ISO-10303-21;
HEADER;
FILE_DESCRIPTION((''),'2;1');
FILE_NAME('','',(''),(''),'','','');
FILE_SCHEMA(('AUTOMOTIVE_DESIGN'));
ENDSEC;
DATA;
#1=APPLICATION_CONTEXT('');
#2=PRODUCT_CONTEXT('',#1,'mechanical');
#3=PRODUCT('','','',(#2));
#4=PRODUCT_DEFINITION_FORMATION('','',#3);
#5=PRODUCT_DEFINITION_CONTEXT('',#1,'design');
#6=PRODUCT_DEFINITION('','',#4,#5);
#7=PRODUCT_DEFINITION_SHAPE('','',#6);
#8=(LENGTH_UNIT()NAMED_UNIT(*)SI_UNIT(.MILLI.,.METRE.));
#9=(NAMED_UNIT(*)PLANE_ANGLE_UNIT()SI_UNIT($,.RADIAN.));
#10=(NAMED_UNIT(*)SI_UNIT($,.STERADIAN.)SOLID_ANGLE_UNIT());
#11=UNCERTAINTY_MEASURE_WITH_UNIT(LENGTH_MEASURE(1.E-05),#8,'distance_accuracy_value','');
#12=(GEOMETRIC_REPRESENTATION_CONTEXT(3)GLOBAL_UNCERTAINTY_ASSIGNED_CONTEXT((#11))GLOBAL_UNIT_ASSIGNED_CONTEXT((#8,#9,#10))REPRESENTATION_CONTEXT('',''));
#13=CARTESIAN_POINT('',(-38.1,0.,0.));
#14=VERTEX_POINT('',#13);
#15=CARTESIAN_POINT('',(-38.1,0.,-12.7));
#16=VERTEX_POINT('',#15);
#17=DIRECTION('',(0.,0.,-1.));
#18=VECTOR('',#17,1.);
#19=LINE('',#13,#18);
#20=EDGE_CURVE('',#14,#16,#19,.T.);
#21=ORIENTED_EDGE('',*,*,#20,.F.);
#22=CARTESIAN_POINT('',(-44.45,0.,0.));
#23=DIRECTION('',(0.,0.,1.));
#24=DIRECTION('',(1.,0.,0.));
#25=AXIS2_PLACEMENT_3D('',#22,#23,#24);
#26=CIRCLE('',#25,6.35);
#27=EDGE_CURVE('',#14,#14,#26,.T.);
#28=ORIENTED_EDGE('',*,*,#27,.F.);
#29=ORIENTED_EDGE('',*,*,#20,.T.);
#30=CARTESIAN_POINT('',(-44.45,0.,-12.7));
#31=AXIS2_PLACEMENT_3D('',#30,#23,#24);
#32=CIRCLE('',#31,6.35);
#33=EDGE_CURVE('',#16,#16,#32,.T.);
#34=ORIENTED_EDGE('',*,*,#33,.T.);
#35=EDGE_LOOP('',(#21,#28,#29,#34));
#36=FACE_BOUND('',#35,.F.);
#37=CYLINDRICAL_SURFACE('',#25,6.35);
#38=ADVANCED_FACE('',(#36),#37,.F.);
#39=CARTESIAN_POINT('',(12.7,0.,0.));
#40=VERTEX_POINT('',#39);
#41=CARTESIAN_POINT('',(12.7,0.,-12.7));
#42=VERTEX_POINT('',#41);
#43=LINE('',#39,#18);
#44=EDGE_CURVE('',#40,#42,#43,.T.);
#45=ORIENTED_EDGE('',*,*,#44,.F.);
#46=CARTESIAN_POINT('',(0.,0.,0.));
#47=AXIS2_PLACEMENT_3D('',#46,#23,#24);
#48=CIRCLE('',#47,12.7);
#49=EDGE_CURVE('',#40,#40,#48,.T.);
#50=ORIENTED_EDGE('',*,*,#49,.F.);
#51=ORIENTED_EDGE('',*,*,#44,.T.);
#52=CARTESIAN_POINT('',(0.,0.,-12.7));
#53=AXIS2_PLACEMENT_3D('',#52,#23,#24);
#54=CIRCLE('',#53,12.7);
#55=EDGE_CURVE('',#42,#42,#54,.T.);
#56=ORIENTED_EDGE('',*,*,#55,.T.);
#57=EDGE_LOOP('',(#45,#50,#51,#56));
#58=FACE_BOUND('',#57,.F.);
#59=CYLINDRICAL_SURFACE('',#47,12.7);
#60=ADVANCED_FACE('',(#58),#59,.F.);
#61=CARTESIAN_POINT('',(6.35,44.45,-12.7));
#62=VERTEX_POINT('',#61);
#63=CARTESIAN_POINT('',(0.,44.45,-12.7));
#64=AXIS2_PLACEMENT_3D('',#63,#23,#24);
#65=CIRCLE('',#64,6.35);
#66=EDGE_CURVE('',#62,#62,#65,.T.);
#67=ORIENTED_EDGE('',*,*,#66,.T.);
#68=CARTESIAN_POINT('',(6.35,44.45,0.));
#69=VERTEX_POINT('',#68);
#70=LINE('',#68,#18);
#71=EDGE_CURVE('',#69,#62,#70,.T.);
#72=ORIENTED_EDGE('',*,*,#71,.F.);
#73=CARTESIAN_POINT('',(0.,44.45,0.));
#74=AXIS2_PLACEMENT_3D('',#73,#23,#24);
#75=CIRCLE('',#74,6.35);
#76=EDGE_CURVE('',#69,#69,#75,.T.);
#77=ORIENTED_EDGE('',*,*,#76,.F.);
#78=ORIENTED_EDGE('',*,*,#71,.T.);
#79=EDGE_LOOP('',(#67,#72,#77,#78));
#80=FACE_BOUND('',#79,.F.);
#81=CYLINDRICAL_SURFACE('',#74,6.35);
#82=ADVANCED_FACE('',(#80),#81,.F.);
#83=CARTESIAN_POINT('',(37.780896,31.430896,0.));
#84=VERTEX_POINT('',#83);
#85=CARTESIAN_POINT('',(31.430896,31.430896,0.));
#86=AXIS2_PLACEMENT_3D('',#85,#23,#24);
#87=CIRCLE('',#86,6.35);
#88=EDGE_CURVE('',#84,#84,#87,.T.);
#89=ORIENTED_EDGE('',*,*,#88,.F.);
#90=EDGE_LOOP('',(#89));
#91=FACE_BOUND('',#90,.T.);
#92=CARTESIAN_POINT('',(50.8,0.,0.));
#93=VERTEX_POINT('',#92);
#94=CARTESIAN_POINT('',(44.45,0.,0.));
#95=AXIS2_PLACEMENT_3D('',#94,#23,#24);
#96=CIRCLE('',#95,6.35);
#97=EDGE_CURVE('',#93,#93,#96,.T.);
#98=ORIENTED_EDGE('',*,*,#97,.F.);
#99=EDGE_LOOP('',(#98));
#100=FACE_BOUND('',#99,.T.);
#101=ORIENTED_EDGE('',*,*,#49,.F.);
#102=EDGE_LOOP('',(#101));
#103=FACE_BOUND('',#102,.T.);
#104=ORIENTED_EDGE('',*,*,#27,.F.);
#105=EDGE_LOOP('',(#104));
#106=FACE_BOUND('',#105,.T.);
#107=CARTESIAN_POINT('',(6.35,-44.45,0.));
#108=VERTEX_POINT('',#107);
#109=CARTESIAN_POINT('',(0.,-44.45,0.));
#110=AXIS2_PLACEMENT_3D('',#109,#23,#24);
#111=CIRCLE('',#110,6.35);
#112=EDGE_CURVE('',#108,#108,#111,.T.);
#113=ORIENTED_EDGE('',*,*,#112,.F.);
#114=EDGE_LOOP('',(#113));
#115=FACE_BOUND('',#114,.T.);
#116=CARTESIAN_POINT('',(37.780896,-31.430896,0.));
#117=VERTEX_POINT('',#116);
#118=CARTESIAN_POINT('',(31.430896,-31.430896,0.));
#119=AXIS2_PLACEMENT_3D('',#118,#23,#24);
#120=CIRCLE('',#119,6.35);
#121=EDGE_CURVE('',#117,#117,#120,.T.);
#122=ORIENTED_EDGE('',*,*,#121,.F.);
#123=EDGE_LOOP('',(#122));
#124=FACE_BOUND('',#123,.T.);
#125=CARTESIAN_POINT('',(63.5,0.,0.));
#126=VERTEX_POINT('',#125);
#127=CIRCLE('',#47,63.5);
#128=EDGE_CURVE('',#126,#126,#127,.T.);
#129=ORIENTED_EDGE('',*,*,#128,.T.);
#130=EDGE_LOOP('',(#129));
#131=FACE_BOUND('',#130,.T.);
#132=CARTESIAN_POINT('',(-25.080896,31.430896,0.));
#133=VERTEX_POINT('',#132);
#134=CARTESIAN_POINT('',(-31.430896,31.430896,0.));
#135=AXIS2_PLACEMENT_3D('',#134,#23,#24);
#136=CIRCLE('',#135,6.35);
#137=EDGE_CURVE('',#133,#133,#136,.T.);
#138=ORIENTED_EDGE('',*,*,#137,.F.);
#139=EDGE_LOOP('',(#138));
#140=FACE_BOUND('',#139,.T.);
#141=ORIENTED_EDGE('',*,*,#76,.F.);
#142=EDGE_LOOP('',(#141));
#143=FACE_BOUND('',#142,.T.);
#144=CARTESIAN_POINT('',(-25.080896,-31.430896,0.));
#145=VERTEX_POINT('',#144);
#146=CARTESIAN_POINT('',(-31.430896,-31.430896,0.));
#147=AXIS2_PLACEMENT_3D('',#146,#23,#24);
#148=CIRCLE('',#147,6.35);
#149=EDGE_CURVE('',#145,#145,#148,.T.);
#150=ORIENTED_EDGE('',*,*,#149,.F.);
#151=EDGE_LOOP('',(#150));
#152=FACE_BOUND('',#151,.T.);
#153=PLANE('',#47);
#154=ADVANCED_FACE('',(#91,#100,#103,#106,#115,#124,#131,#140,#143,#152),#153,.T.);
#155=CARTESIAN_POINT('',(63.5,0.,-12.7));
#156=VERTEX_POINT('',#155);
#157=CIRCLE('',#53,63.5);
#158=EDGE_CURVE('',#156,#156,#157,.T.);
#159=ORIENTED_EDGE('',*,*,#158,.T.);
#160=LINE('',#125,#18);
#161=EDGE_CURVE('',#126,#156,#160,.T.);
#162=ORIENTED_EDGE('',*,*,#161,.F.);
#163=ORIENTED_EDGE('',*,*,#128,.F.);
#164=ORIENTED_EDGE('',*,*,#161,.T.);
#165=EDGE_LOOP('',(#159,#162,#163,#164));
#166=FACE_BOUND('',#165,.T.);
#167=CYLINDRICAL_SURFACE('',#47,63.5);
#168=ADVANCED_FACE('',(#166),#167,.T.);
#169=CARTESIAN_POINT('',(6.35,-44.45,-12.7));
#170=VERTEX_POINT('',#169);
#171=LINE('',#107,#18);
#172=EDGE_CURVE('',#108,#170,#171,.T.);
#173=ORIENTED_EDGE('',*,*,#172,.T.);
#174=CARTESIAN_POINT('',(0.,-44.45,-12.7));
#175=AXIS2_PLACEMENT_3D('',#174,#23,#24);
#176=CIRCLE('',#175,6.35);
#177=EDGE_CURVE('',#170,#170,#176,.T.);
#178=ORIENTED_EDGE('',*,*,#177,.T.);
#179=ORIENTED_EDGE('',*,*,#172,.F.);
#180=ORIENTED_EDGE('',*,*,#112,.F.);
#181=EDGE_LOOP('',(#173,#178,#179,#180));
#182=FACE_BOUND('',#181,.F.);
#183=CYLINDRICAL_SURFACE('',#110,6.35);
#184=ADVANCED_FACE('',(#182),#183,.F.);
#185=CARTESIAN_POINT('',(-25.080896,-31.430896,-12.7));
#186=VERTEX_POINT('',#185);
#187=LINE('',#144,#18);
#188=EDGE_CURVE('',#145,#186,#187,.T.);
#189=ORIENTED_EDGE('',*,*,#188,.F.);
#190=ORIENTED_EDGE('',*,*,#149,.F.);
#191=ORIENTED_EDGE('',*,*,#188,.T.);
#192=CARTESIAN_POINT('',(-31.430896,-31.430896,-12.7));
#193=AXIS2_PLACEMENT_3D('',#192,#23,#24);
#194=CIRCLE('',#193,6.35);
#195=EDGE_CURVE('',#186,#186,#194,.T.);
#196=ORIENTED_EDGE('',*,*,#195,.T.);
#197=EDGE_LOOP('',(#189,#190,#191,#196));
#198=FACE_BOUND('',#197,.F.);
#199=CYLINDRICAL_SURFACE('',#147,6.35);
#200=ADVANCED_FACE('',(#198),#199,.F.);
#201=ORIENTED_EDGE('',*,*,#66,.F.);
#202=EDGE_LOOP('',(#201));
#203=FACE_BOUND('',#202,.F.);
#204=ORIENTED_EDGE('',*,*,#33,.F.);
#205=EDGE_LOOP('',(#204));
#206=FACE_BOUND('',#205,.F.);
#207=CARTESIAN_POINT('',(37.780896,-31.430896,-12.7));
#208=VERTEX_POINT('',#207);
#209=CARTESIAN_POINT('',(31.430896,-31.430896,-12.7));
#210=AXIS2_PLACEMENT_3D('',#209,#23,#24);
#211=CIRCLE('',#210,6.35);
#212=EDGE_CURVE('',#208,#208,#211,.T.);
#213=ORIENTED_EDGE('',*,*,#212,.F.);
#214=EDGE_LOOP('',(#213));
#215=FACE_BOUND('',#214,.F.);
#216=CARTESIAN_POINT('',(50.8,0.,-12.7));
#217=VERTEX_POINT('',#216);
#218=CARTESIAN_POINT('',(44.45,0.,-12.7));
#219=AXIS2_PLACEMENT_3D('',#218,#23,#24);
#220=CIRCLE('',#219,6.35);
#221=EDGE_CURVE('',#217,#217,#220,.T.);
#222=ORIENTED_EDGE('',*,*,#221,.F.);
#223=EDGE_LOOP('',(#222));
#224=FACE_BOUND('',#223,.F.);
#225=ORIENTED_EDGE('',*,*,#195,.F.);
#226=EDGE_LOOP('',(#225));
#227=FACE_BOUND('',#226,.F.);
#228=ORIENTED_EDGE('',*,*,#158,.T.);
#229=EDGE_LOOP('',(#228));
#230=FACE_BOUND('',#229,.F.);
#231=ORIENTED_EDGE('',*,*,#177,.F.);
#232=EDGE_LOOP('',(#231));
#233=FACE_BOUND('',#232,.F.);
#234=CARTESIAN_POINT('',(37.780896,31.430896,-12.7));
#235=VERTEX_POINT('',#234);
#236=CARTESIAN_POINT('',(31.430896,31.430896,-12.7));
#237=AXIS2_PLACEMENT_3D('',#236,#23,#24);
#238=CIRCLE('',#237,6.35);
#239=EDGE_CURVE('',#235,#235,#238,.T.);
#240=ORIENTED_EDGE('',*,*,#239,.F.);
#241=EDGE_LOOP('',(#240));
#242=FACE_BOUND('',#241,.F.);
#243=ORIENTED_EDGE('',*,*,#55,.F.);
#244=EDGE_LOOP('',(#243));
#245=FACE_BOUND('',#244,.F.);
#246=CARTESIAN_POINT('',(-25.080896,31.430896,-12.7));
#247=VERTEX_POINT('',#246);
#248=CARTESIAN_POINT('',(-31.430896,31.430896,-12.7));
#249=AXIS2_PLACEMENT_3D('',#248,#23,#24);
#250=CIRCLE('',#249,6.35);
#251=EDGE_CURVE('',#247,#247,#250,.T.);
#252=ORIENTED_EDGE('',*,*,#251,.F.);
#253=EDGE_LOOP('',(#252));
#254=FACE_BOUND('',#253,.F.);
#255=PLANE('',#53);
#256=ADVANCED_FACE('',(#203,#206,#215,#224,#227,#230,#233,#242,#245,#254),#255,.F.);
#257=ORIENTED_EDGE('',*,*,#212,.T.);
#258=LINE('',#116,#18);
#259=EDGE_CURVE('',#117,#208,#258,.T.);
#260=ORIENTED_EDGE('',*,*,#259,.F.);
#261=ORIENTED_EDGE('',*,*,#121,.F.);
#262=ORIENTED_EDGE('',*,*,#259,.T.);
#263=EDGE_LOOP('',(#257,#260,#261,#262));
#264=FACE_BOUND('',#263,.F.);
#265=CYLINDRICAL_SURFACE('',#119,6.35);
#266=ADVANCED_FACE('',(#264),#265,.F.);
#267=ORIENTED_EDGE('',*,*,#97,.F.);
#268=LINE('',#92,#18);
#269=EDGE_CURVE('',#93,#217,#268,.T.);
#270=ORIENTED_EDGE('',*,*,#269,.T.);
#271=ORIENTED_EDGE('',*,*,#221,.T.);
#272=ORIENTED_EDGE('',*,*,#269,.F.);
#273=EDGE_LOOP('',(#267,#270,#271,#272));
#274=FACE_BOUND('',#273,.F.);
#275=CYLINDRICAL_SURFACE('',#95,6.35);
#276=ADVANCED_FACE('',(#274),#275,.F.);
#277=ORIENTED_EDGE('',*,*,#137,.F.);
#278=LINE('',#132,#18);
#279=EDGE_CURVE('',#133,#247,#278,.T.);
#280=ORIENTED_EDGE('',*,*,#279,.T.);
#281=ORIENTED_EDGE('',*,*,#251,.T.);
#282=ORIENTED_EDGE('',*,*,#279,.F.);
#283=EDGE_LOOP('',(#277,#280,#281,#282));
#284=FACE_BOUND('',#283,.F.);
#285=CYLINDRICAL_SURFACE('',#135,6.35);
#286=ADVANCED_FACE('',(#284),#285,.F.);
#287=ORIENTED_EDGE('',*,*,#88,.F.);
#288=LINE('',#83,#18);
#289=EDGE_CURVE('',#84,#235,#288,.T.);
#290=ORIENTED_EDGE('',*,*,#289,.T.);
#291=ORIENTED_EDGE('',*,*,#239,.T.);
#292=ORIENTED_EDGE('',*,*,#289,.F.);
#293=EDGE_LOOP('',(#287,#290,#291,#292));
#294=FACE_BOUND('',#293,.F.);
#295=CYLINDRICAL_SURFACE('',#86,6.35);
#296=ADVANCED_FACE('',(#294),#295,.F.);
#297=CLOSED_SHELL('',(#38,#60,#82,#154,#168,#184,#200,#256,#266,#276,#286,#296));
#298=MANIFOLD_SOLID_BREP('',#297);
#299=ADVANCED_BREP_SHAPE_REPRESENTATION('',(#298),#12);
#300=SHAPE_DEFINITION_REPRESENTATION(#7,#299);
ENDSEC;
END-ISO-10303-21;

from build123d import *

# Parameters (mm, degrees)
F0_R     = 63.5
F0_R_2   = 6.35
F0_R_3   = 12.7
F1_DEPTH = 12.7


with BuildPart() as f1:
    # F0 (on Top) → F1 (new body)
    with BuildSketch(Plane.XY):
        Circle(F0_R)
        with Locations((-31.430896, -31.430896)):
            Circle(F0_R_2, mode=Mode.SUBTRACT)
        with Locations((0, -44.45)):
            Circle(F0_R_2, mode=Mode.SUBTRACT)
        with Locations((31.430896, -31.430896)):
            Circle(F0_R_2, mode=Mode.SUBTRACT)
        with Locations((-44.45, 0)):
            Circle(F0_R_2, mode=Mode.SUBTRACT)
        with Locations((-31.430896, 31.430896)):
            Circle(F0_R_2, mode=Mode.SUBTRACT)
        Circle(F0_R_3, mode=Mode.SUBTRACT)
        with Locations((31.430896, 31.430896)):
            Circle(F0_R_2, mode=Mode.SUBTRACT)
        with Locations((44.45, 0)):
            Circle(F0_R_2, mode=Mode.SUBTRACT)
        with Locations((0, 44.45)):
            Circle(F0_R_2, mode=Mode.SUBTRACT)
    extrude(amount=-F1_DEPTH)


solid = f1.part
